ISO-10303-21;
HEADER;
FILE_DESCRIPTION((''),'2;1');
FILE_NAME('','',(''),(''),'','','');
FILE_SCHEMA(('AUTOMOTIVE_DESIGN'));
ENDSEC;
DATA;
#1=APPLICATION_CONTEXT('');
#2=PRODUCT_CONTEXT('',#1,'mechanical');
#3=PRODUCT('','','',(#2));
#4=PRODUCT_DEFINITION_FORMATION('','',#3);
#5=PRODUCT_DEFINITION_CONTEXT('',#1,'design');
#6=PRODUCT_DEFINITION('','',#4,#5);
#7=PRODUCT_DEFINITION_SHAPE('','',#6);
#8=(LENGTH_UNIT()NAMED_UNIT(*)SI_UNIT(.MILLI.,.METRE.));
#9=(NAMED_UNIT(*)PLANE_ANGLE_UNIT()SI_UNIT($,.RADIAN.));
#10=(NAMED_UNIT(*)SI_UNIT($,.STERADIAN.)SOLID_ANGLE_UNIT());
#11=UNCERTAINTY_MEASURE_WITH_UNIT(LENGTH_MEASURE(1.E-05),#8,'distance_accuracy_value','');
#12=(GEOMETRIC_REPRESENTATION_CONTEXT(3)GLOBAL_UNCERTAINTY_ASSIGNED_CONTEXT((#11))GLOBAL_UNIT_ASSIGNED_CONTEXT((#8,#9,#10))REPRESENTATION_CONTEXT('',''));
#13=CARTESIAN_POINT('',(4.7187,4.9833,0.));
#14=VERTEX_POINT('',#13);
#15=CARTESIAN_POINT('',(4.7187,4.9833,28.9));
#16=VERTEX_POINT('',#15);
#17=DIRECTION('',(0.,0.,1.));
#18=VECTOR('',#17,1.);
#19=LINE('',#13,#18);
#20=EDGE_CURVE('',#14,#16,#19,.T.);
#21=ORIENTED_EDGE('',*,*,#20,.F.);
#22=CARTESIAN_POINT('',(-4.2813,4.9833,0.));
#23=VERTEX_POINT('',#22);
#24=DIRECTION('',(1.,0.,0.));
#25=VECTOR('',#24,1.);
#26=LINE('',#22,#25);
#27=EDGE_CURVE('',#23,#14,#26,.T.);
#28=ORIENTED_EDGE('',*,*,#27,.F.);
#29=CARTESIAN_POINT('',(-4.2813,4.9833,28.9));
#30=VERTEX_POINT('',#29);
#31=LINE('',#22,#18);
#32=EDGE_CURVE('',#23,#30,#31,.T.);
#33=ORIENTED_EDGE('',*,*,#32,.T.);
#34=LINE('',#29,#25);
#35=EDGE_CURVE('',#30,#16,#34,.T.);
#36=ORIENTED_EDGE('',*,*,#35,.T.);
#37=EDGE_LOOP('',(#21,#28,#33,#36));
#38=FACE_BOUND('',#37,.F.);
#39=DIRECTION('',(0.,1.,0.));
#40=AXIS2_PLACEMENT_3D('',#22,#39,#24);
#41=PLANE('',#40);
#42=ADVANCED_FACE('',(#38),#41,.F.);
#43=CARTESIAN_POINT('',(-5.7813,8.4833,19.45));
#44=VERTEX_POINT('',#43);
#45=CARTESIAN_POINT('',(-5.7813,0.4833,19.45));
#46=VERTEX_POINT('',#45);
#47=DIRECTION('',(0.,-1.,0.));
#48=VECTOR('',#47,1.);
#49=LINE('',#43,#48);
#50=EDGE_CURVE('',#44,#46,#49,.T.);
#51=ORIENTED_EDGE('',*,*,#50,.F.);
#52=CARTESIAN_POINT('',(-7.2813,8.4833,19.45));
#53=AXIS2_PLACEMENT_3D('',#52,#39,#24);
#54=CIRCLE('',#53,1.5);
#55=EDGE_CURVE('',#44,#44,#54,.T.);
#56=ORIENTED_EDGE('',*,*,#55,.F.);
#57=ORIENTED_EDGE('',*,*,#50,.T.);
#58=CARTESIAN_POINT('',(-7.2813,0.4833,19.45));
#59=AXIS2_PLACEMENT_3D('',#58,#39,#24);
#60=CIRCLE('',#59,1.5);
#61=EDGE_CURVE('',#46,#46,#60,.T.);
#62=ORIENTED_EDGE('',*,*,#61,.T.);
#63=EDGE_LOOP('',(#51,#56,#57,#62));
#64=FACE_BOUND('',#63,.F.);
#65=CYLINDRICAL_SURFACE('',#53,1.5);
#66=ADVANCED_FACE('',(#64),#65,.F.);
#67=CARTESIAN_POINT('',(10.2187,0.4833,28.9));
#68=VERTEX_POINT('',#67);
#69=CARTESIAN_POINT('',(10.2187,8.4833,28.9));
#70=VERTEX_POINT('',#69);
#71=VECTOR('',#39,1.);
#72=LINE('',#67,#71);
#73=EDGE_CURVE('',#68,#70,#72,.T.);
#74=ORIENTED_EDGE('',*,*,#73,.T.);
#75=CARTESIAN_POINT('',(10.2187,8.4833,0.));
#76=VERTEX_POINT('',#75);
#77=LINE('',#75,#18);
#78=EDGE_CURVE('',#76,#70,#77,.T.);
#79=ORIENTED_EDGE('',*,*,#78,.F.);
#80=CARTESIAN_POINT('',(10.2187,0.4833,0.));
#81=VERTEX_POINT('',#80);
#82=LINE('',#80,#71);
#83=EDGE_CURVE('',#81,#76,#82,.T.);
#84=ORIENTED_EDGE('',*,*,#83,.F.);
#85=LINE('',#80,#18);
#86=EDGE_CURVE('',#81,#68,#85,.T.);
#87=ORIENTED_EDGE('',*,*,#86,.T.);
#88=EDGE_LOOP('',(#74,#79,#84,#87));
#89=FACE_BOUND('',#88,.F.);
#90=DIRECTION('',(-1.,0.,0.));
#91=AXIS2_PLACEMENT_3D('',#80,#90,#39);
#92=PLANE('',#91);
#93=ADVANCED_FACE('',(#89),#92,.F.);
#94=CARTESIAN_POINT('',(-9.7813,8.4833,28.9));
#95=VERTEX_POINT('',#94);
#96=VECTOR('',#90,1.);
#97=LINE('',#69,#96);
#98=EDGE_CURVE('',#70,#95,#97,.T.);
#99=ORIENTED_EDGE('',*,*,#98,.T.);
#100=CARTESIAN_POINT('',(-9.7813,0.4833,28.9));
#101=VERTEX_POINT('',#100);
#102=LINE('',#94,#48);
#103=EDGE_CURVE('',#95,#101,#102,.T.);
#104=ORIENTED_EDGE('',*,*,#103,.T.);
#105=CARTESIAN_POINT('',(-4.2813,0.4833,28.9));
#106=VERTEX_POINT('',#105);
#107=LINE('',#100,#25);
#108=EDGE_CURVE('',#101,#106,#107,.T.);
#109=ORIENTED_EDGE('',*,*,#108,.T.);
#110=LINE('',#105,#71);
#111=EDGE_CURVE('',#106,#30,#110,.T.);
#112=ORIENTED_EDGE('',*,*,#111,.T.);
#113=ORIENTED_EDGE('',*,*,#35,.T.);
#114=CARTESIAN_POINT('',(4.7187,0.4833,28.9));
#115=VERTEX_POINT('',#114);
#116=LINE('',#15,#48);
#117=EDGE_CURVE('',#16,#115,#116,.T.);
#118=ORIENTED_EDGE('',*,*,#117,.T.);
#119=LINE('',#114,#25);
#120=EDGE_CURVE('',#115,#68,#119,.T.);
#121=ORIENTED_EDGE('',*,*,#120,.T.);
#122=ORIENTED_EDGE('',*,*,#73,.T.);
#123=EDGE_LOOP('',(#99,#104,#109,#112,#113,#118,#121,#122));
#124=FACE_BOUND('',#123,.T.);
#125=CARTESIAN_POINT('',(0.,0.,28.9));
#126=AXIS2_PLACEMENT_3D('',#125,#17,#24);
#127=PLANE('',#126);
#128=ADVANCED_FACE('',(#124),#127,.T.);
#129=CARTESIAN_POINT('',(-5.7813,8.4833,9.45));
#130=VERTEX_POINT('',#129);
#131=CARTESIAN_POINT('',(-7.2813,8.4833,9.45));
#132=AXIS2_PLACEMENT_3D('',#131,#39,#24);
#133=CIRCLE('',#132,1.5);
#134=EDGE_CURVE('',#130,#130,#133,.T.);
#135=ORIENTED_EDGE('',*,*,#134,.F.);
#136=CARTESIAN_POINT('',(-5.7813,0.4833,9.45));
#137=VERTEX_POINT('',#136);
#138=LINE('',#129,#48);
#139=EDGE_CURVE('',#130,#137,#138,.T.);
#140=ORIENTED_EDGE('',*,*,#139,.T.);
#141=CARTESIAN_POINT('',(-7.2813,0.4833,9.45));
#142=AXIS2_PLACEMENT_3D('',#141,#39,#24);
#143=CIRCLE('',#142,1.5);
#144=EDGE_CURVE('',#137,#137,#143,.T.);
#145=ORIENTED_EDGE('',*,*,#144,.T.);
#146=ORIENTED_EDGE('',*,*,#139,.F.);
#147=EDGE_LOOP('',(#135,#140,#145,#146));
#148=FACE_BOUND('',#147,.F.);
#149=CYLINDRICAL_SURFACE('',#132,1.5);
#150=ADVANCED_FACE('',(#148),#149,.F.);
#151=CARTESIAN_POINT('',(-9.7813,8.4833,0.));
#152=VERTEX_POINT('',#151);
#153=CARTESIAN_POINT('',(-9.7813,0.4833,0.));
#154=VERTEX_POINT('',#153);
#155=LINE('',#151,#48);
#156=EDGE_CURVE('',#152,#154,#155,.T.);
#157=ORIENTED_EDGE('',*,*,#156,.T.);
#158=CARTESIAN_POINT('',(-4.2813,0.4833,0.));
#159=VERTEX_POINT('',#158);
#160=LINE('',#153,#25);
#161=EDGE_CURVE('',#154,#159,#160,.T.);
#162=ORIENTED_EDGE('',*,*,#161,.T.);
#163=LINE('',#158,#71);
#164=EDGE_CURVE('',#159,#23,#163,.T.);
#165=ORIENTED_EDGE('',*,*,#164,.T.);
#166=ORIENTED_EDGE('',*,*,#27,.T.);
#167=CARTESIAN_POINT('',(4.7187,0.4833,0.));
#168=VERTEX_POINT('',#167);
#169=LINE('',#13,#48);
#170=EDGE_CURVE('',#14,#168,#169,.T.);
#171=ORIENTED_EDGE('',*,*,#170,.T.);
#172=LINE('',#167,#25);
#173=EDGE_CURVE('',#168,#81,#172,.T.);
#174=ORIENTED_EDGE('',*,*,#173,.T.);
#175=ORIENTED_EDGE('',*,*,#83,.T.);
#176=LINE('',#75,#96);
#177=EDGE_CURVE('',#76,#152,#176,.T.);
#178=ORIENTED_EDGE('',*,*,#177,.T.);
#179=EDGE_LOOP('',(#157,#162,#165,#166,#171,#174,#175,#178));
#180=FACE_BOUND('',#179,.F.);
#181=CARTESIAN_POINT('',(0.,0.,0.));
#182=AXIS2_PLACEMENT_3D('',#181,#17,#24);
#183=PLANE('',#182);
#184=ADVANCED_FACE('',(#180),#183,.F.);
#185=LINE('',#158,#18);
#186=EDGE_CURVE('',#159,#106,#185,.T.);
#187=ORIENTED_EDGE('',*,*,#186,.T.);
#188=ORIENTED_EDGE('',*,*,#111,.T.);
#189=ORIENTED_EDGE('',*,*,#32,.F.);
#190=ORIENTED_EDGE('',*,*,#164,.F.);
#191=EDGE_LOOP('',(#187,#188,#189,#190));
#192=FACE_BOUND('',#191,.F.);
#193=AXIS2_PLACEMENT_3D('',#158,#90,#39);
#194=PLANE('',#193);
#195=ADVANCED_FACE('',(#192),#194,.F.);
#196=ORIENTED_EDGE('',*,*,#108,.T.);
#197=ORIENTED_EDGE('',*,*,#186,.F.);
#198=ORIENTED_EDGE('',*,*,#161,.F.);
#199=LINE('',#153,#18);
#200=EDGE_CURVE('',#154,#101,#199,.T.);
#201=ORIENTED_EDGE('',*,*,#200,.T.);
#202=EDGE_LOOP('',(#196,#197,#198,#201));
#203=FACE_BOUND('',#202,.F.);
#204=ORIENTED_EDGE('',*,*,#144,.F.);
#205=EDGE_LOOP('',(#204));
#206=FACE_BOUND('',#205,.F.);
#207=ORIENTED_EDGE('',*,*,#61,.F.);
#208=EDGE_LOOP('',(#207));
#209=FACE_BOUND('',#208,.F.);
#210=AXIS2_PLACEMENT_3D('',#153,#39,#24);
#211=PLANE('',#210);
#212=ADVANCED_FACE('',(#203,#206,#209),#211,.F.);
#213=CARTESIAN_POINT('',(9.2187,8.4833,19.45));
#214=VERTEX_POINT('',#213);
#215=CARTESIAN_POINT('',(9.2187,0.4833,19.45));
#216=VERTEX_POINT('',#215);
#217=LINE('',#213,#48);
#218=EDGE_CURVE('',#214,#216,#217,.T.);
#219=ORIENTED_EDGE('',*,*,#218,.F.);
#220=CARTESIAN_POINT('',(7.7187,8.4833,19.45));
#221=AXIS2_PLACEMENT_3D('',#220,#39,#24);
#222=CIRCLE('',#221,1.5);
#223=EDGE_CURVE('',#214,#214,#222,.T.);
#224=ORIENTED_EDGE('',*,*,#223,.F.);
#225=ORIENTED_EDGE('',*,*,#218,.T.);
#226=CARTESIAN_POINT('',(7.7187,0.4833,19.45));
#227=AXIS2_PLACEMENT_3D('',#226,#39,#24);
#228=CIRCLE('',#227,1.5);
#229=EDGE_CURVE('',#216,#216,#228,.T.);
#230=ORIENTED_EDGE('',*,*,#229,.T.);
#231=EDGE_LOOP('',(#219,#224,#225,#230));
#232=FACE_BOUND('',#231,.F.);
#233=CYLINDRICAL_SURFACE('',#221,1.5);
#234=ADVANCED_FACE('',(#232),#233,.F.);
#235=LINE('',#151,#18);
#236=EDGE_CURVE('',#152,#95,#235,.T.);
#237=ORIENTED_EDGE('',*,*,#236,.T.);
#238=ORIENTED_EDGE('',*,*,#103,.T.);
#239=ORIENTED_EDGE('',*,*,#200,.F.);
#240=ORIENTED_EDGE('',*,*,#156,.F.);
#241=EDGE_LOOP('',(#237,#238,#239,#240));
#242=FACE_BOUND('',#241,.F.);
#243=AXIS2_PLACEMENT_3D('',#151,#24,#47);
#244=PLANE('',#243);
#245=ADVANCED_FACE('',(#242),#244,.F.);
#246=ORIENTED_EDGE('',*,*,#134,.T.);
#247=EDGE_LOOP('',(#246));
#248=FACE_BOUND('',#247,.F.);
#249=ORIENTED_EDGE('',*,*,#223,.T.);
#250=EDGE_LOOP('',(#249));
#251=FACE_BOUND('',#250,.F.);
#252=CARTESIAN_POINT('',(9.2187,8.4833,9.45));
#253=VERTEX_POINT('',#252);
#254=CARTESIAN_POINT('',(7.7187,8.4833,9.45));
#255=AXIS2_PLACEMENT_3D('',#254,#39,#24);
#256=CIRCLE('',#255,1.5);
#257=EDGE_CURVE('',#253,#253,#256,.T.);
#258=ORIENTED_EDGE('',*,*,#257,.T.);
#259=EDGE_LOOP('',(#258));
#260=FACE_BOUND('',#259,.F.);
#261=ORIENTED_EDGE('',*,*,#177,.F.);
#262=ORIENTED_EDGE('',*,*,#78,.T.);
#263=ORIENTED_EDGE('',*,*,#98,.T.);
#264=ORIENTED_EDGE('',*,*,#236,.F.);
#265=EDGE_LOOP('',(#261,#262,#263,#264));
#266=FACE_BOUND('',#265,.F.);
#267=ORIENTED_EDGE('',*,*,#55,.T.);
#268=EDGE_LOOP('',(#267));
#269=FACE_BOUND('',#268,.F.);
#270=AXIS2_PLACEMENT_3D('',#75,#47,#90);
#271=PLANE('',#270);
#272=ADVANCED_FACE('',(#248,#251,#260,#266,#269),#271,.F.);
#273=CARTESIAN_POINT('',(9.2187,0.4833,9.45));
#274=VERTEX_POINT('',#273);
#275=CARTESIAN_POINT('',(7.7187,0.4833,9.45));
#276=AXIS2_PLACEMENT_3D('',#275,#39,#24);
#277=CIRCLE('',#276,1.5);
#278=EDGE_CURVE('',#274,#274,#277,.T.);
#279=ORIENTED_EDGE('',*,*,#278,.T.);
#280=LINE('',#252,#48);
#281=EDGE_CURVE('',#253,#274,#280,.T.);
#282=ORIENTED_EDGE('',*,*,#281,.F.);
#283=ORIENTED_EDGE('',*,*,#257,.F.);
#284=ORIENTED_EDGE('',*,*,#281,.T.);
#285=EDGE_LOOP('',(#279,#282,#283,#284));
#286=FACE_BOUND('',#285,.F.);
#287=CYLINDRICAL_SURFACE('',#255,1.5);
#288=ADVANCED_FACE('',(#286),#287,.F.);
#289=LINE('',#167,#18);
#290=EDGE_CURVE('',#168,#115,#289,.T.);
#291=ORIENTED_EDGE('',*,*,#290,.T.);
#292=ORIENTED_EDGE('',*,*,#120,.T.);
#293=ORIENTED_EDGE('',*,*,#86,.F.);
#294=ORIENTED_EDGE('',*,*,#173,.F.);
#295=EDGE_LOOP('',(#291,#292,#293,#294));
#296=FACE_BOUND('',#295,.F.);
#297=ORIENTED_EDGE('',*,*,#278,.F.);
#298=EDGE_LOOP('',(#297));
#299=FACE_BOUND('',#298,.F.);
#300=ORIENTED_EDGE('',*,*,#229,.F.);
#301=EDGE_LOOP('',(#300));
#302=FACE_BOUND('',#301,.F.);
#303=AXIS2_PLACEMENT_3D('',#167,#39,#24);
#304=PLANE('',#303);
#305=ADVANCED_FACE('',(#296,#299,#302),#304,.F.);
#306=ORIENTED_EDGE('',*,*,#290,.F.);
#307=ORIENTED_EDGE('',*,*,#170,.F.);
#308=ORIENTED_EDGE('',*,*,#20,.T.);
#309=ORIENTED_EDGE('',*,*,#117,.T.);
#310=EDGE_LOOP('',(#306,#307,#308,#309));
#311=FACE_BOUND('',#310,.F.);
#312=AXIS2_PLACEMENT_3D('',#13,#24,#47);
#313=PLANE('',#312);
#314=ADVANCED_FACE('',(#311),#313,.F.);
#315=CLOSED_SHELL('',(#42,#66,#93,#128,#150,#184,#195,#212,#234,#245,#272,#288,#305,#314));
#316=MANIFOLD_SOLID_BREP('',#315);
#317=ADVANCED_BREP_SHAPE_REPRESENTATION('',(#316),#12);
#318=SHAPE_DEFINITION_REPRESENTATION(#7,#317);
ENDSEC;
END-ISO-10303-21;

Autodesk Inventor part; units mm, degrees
ref_plane "YZ Plane" through (0, 0, 0) normal (1, 0, 0) x (0, 1, 0)
ref_plane "XZ Plane" through (0, 0, 0) normal (0, 1, 0) x (-1, 0, 0)
ref_plane "XY Plane" through (0, 0, 0) normal (0, 0, 1) x (1, 0, 0)
sketch "Sketch1" plane through (0, 0, 0) normal (0, 0, 1) x (1, 0, 0)
  line L0 (-9.7813, 0.4833) -> (-4.2813, 0.4833)
  line L1 (-4.2813, 0.4833) -> (-4.2813, 4.9833)
  line L2 (-4.2813, 4.9833) -> (4.7187, 4.9833)
  line L3 (4.7187, 4.9833) -> (4.7187, 0.4833)
  line L4 (4.7187, 0.4833) -> (10.2187, 0.4833)
  line L5 (10.2187, 0.4833) -> (10.2187, 8.4833)
  line L6 (10.2187, 8.4833) -> (-9.7813, 8.4833)
  line L7 (-9.7813, 8.4833) -> (-9.7813, 0.4833)
  point P0 (0, 0)
  dimension "d0" = 20
  dimension "d1" = 8
  dimension "d2" = 4.5
  dimension "d3" = 9
  dimension "d4" = 5.5
extrude "Extrusion1" add sketch "Sketch1" along normal blind 28.9
sketch "Sketch2" plane through (-9.7813, 8.4833, 0) normal (0, 1, 0) x (1, 0, 0)
  circle A0 centre (2.5, -9.45) radius 1.5
  circle A1 centre (17.5, -9.45) radius 1.5
  circle A2 centre (17.5, -19.45) radius 1.5
  circle A3 centre (2.5, -19.45) radius 1.5
  line L0 (20, 0) -> (0, 0) projected
  line L1 (0, 0) -> (0, -28.9) projected
  line L2 (20, 0) -> (20, -28.9) projected
  point P0 (9.7813, 0)
  dimension "d7" = 3
  dimension "d8" = 3
  dimension "d9" = 3
  dimension "d10" = 3
  dimension "d11" = 9.45
  dimension "d12" = 9.45
  dimension "d13" = 10
  dimension "d14" = 10
  dimension "d15" = 2.5
  dimension "d16" = 2.5
  dimension "d18" = 2.5
  dimension "d19" = 2.5
extrude "Extrusion2" cut sketch "Sketch2" against normal blind 8
properties part number "MGN9C_block" material "ABS Plastic"
